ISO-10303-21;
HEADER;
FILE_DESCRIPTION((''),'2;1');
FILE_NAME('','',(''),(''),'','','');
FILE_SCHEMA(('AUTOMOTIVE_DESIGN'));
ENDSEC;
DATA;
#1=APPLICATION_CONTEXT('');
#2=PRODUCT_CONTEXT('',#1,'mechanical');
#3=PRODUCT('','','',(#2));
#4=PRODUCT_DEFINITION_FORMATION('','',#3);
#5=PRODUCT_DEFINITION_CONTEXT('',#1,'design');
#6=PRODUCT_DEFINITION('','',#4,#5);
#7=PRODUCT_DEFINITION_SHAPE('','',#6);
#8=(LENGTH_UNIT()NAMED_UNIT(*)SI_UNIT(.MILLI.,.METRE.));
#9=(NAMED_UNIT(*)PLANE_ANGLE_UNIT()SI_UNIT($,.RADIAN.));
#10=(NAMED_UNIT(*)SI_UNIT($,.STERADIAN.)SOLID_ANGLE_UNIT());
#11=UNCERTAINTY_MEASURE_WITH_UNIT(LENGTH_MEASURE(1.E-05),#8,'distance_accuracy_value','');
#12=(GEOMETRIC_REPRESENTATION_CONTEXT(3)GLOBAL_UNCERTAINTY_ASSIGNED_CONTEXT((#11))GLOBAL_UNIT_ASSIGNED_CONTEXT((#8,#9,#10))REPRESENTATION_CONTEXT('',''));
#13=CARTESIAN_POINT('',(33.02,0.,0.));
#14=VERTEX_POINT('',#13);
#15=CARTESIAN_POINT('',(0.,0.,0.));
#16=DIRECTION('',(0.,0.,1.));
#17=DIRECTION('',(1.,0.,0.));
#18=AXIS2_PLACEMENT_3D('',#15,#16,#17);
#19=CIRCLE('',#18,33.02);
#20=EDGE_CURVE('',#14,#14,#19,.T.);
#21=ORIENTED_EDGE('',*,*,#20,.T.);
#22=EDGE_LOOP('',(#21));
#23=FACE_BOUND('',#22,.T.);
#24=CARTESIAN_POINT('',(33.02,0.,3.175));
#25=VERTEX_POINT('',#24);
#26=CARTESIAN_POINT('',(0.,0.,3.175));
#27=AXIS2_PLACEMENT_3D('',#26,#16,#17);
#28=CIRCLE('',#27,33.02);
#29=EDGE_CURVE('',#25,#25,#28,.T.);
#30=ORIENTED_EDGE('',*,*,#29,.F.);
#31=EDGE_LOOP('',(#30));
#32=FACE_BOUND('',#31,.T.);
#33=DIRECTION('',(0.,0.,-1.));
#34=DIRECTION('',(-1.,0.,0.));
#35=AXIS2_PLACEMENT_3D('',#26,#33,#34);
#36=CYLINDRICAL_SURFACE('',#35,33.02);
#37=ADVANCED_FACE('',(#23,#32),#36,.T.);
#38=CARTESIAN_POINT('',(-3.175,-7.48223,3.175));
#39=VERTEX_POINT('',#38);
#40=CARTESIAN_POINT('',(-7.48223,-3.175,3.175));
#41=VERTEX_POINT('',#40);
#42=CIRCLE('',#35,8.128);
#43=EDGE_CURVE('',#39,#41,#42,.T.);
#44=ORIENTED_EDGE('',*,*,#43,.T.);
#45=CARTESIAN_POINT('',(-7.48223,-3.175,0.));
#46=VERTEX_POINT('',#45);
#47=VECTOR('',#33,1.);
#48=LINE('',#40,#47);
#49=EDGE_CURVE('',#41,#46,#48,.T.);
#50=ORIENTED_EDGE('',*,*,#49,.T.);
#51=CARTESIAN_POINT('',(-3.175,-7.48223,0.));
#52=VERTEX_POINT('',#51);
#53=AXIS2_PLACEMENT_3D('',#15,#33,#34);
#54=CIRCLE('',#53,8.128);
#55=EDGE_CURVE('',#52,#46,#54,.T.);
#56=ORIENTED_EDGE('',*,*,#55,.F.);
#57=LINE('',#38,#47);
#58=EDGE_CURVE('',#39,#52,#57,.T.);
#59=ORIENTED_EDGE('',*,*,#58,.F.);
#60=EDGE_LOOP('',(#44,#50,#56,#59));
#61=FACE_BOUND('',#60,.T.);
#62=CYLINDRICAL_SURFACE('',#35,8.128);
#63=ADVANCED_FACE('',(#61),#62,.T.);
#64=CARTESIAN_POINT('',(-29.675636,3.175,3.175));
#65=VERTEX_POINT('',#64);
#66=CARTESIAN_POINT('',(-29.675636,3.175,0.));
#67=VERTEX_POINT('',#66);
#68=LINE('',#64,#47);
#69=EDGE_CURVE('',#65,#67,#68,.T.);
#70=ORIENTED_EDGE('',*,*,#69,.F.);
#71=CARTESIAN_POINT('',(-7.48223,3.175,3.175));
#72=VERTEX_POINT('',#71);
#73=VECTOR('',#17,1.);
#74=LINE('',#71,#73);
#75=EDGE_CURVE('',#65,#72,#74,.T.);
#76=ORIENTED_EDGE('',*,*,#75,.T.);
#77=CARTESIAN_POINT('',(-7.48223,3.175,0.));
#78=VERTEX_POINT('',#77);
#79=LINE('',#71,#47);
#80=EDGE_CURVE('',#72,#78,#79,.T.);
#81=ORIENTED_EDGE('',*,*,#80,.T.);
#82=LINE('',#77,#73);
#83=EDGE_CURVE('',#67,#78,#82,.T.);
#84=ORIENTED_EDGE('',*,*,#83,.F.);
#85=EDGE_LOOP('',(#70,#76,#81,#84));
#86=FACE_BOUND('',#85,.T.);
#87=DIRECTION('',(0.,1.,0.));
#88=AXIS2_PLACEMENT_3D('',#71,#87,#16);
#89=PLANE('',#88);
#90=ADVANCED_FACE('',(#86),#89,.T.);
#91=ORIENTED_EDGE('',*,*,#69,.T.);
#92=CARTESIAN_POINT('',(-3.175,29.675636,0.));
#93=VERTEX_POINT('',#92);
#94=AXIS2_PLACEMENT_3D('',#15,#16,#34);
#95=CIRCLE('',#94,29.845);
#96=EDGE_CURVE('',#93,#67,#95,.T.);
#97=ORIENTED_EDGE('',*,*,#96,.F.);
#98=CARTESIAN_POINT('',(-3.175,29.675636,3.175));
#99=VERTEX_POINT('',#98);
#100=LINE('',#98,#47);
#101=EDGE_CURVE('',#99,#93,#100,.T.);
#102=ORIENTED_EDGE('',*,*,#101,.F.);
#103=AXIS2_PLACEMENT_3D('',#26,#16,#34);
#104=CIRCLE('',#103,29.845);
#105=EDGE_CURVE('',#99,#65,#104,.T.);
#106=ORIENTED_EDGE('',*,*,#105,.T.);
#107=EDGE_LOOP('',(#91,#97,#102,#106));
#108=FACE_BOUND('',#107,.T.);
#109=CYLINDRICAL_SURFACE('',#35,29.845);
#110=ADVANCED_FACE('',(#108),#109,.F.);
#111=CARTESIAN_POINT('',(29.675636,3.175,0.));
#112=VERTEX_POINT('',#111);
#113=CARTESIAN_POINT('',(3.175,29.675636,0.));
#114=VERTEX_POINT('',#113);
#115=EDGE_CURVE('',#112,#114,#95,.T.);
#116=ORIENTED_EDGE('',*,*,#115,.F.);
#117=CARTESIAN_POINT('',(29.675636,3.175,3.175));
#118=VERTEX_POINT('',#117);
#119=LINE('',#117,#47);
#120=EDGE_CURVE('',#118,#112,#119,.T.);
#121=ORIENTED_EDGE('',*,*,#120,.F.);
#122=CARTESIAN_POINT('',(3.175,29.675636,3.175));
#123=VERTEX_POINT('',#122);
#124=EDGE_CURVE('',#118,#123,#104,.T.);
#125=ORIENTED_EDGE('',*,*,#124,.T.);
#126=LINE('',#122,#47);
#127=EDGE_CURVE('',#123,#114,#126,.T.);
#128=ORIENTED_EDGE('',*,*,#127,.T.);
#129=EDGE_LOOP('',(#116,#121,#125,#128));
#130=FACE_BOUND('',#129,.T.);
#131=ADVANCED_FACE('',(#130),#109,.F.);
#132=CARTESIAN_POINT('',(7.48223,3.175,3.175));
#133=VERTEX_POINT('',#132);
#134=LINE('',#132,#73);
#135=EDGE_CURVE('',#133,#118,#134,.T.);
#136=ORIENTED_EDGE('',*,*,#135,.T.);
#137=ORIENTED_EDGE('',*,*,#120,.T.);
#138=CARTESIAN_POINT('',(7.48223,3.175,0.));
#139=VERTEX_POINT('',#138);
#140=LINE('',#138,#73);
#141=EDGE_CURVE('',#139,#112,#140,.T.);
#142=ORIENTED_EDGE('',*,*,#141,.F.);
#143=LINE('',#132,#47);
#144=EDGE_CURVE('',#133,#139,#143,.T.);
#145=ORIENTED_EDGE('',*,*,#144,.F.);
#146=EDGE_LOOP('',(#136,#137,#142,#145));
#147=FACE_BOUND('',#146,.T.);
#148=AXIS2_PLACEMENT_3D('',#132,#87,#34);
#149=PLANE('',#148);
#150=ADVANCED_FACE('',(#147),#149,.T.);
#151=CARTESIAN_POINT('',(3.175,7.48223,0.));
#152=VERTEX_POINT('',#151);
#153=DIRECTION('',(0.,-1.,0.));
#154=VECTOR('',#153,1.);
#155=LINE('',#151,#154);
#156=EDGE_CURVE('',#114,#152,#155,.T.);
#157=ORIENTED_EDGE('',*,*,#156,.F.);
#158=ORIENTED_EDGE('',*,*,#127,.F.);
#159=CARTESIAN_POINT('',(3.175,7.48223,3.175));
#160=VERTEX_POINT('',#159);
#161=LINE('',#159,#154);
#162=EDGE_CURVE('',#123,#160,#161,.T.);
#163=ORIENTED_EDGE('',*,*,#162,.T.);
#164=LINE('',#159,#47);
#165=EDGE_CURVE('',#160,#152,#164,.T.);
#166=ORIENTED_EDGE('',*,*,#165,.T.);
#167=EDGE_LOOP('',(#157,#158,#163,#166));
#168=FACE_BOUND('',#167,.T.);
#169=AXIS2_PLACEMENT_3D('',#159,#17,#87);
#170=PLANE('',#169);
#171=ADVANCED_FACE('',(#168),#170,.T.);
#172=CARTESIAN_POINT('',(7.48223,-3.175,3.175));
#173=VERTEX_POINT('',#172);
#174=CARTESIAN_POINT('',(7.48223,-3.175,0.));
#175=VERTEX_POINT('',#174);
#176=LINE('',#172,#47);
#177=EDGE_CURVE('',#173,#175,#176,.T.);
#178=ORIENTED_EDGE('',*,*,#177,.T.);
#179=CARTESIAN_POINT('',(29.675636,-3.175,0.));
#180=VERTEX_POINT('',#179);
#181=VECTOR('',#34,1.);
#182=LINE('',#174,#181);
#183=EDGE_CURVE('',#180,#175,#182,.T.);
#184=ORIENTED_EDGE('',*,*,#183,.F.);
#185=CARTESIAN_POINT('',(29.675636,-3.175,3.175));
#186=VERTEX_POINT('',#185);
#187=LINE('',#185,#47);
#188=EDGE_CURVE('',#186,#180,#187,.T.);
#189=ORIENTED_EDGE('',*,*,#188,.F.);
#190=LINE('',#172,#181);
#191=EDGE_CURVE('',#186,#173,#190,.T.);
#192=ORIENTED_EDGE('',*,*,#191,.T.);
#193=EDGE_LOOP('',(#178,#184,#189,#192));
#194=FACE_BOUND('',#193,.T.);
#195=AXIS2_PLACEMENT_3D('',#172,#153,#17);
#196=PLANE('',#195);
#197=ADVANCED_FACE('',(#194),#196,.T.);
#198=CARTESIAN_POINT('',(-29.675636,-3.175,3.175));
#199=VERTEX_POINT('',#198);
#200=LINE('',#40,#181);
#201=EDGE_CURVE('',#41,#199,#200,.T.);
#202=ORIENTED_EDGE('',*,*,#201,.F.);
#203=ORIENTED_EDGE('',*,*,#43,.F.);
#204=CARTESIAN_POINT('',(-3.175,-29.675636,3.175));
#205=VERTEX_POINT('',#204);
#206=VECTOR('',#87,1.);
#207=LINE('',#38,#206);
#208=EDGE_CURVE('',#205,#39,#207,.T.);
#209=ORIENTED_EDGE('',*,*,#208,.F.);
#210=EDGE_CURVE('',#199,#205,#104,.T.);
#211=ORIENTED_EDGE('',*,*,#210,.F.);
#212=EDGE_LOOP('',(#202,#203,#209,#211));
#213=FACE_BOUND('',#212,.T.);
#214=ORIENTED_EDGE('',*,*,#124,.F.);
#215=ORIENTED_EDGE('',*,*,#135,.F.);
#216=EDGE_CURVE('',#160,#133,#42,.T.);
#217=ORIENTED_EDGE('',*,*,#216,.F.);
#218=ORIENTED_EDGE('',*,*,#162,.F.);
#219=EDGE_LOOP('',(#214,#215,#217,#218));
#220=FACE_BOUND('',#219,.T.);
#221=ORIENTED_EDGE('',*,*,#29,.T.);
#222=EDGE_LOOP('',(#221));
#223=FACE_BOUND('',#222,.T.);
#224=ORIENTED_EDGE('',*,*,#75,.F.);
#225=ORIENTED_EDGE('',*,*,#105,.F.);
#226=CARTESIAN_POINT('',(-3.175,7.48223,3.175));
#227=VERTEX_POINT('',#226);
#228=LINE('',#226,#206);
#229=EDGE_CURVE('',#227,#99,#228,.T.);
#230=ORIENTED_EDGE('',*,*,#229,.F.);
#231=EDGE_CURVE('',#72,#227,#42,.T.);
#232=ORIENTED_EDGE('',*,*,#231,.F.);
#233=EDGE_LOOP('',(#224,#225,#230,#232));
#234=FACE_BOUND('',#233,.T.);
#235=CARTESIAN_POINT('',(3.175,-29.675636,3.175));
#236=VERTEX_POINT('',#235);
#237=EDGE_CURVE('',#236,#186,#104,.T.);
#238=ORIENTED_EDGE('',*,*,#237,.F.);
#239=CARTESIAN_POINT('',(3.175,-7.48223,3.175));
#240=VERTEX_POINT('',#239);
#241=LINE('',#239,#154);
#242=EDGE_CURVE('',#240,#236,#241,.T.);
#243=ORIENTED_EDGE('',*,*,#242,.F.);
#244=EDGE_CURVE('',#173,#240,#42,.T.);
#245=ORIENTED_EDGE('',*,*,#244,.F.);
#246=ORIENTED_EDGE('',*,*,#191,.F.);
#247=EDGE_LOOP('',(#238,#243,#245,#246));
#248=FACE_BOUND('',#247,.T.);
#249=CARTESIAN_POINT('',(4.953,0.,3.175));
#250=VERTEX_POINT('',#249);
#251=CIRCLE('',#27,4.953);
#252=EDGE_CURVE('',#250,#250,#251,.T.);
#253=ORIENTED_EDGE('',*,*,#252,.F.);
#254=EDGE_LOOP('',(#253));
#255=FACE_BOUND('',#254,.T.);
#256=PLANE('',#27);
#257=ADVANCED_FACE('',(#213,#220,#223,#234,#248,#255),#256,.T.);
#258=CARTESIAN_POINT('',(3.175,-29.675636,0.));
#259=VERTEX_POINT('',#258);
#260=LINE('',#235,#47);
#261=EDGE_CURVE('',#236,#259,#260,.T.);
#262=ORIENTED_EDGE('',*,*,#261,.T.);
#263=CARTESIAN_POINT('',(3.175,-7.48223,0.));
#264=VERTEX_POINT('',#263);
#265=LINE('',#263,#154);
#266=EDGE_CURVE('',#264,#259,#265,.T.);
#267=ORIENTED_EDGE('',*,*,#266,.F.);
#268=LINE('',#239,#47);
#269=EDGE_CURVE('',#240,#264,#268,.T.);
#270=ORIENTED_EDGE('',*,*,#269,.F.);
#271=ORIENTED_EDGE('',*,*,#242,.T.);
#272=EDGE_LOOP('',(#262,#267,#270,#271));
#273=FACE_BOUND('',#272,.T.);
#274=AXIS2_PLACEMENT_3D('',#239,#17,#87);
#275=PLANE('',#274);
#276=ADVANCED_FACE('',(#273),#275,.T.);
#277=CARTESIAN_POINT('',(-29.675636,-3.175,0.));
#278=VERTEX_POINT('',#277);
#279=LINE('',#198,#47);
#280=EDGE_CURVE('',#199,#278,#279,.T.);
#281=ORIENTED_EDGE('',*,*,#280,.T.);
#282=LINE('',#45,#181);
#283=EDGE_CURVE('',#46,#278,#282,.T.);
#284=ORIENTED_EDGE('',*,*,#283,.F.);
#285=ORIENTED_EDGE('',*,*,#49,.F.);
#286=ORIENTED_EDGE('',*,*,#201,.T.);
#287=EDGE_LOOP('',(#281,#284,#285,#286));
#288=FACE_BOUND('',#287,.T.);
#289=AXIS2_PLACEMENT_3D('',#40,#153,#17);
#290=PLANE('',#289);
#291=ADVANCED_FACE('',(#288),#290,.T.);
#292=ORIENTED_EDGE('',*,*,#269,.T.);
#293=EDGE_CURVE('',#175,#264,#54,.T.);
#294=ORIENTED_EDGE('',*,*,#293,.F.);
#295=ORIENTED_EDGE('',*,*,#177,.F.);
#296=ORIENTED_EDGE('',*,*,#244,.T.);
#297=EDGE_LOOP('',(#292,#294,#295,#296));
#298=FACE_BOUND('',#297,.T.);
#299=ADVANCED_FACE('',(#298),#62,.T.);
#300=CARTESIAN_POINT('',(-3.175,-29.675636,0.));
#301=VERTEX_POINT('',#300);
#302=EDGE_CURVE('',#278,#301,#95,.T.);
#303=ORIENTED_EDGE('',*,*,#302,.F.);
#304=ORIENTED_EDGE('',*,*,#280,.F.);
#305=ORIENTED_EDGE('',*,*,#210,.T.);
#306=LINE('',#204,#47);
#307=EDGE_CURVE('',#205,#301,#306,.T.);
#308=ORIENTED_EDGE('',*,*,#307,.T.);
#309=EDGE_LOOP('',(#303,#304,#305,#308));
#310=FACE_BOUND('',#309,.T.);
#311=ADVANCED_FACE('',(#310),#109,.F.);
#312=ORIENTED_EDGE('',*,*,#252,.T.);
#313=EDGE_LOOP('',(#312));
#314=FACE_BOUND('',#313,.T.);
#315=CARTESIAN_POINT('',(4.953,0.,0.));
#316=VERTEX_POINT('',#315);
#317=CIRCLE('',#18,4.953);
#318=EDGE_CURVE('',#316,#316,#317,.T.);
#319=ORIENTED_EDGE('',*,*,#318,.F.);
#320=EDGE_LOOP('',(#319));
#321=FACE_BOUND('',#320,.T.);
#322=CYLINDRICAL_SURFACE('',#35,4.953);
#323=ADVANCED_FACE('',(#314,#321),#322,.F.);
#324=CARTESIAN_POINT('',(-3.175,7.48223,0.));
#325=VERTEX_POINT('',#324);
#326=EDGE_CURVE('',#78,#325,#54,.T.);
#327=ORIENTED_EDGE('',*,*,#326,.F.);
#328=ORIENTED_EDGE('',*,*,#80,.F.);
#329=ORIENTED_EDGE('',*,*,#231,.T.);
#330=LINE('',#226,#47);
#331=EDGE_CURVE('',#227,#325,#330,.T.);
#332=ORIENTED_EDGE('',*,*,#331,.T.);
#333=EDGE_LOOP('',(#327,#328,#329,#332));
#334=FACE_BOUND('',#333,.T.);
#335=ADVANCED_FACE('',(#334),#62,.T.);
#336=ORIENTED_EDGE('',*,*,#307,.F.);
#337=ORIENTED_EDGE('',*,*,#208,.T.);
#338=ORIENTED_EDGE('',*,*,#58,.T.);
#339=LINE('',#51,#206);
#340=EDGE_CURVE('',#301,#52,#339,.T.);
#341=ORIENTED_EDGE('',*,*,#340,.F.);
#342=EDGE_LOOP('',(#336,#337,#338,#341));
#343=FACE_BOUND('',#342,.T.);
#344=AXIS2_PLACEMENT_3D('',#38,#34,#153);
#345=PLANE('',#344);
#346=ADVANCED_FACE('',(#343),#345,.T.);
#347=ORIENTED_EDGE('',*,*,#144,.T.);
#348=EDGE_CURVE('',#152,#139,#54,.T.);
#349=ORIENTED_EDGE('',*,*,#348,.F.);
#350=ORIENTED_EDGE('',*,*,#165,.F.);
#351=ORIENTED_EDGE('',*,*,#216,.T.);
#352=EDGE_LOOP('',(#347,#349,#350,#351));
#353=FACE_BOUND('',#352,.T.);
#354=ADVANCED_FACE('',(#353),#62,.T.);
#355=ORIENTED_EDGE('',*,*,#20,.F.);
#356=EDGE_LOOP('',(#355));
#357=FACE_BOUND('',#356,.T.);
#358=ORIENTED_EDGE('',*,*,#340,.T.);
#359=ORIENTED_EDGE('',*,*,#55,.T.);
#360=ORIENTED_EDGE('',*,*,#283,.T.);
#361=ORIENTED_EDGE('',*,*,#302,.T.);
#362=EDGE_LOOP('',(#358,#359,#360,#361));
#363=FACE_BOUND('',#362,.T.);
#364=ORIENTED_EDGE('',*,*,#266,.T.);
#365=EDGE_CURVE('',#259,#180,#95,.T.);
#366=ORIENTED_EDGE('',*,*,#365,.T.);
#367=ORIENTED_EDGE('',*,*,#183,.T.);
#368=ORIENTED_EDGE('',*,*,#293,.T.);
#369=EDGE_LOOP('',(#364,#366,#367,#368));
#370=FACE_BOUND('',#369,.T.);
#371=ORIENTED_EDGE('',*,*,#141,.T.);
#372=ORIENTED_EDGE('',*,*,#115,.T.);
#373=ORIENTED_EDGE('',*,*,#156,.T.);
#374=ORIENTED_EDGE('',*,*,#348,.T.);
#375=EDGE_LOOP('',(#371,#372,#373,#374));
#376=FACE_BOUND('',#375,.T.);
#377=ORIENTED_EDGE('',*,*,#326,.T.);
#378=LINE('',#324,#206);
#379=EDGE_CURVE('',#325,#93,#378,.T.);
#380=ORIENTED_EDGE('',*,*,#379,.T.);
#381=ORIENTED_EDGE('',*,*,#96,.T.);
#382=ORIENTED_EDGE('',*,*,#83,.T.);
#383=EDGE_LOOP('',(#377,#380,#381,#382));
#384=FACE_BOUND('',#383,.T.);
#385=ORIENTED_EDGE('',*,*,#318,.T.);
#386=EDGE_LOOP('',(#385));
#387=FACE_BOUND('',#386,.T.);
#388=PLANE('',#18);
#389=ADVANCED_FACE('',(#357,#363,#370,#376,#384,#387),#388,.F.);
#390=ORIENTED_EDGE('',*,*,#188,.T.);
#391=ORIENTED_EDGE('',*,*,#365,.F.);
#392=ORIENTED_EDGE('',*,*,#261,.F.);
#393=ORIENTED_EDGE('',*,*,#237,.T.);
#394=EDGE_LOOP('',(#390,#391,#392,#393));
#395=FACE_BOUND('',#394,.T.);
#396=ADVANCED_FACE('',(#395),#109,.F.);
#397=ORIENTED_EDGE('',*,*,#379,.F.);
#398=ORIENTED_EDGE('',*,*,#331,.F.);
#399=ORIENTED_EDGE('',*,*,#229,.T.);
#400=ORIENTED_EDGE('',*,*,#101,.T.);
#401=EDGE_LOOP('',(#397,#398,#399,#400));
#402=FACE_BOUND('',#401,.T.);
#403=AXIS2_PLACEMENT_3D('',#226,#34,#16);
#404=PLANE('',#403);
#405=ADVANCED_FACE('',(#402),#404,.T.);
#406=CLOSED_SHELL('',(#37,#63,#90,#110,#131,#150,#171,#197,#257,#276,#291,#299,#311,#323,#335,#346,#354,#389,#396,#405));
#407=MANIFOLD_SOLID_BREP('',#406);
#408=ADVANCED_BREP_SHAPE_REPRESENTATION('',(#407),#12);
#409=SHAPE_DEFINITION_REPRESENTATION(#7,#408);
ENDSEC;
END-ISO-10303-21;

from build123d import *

# Parameters (mm, degrees)
SKETCH1_R           = 33.02
SKETCH1_R_2         = 4.953
BOSS_EXTRUDE1_DEPTH = 3.175


with BuildPart() as part:
    # Sketch1 → Boss-Extrude1 (new body)
    with BuildSketch(Plane.XY):
        Circle(SKETCH1_R)
        Circle(SKETCH1_R_2, mode=Mode.SUBTRACT)
        with BuildLine():
            Line((-7.482229547, 3.175), (-29.675636472, 3.175))
            ThreePointArc((-29.675636472, 3.175), (-21.103601885, 21.103601885), (-3.175, 29.675636472))
            Line((-3.175, 29.675636472), (-3.175, 7.482229547))
            ThreePointArc((-3.175, 7.482229547), (-5.747363917, 5.747363917), (-7.482229547, 3.175))
        make_face(mode=Mode.SUBTRACT)
        with BuildLine():
            Line((3.175, 7.482229547), (3.175, 29.675636472))
            ThreePointArc((3.175, 29.675636472), (21.103601885, 21.103601885), (29.675636472, 3.175))
            Line((29.675636472, 3.175), (7.482229547, 3.175))
            ThreePointArc((7.482229547, 3.175), (5.747363917, 5.747363917), (3.175, 7.482229547))
        make_face(mode=Mode.SUBTRACT)
        with BuildLine():
            Line((7.482229547, -3.175), (29.675636472, -3.175))
            ThreePointArc((29.675636472, -3.175), (21.103601885, -21.103601885), (3.175, -29.675636472))
            Line((3.175, -29.675636472), (3.175, -7.482229547))
            ThreePointArc((3.175, -7.482229547), (5.747363917, -5.747363917), (7.482229547, -3.175))
        make_face(mode=Mode.SUBTRACT)
        with BuildLine():
            Line((-3.175, -7.482229547), (-3.175, -29.675636472))
            ThreePointArc((-3.175, -29.675636472), (-21.103601885, -21.103601885), (-29.675636472, -3.175))
            Line((-29.675636472, -3.175), (-7.482229547, -3.175))
            ThreePointArc((-7.482229547, -3.175), (-5.747363917, -5.747363917), (-3.175, -7.482229547))
        make_face(mode=Mode.SUBTRACT)
    extrude(amount=BOSS_EXTRUDE1_DEPTH)


solid = part.part
